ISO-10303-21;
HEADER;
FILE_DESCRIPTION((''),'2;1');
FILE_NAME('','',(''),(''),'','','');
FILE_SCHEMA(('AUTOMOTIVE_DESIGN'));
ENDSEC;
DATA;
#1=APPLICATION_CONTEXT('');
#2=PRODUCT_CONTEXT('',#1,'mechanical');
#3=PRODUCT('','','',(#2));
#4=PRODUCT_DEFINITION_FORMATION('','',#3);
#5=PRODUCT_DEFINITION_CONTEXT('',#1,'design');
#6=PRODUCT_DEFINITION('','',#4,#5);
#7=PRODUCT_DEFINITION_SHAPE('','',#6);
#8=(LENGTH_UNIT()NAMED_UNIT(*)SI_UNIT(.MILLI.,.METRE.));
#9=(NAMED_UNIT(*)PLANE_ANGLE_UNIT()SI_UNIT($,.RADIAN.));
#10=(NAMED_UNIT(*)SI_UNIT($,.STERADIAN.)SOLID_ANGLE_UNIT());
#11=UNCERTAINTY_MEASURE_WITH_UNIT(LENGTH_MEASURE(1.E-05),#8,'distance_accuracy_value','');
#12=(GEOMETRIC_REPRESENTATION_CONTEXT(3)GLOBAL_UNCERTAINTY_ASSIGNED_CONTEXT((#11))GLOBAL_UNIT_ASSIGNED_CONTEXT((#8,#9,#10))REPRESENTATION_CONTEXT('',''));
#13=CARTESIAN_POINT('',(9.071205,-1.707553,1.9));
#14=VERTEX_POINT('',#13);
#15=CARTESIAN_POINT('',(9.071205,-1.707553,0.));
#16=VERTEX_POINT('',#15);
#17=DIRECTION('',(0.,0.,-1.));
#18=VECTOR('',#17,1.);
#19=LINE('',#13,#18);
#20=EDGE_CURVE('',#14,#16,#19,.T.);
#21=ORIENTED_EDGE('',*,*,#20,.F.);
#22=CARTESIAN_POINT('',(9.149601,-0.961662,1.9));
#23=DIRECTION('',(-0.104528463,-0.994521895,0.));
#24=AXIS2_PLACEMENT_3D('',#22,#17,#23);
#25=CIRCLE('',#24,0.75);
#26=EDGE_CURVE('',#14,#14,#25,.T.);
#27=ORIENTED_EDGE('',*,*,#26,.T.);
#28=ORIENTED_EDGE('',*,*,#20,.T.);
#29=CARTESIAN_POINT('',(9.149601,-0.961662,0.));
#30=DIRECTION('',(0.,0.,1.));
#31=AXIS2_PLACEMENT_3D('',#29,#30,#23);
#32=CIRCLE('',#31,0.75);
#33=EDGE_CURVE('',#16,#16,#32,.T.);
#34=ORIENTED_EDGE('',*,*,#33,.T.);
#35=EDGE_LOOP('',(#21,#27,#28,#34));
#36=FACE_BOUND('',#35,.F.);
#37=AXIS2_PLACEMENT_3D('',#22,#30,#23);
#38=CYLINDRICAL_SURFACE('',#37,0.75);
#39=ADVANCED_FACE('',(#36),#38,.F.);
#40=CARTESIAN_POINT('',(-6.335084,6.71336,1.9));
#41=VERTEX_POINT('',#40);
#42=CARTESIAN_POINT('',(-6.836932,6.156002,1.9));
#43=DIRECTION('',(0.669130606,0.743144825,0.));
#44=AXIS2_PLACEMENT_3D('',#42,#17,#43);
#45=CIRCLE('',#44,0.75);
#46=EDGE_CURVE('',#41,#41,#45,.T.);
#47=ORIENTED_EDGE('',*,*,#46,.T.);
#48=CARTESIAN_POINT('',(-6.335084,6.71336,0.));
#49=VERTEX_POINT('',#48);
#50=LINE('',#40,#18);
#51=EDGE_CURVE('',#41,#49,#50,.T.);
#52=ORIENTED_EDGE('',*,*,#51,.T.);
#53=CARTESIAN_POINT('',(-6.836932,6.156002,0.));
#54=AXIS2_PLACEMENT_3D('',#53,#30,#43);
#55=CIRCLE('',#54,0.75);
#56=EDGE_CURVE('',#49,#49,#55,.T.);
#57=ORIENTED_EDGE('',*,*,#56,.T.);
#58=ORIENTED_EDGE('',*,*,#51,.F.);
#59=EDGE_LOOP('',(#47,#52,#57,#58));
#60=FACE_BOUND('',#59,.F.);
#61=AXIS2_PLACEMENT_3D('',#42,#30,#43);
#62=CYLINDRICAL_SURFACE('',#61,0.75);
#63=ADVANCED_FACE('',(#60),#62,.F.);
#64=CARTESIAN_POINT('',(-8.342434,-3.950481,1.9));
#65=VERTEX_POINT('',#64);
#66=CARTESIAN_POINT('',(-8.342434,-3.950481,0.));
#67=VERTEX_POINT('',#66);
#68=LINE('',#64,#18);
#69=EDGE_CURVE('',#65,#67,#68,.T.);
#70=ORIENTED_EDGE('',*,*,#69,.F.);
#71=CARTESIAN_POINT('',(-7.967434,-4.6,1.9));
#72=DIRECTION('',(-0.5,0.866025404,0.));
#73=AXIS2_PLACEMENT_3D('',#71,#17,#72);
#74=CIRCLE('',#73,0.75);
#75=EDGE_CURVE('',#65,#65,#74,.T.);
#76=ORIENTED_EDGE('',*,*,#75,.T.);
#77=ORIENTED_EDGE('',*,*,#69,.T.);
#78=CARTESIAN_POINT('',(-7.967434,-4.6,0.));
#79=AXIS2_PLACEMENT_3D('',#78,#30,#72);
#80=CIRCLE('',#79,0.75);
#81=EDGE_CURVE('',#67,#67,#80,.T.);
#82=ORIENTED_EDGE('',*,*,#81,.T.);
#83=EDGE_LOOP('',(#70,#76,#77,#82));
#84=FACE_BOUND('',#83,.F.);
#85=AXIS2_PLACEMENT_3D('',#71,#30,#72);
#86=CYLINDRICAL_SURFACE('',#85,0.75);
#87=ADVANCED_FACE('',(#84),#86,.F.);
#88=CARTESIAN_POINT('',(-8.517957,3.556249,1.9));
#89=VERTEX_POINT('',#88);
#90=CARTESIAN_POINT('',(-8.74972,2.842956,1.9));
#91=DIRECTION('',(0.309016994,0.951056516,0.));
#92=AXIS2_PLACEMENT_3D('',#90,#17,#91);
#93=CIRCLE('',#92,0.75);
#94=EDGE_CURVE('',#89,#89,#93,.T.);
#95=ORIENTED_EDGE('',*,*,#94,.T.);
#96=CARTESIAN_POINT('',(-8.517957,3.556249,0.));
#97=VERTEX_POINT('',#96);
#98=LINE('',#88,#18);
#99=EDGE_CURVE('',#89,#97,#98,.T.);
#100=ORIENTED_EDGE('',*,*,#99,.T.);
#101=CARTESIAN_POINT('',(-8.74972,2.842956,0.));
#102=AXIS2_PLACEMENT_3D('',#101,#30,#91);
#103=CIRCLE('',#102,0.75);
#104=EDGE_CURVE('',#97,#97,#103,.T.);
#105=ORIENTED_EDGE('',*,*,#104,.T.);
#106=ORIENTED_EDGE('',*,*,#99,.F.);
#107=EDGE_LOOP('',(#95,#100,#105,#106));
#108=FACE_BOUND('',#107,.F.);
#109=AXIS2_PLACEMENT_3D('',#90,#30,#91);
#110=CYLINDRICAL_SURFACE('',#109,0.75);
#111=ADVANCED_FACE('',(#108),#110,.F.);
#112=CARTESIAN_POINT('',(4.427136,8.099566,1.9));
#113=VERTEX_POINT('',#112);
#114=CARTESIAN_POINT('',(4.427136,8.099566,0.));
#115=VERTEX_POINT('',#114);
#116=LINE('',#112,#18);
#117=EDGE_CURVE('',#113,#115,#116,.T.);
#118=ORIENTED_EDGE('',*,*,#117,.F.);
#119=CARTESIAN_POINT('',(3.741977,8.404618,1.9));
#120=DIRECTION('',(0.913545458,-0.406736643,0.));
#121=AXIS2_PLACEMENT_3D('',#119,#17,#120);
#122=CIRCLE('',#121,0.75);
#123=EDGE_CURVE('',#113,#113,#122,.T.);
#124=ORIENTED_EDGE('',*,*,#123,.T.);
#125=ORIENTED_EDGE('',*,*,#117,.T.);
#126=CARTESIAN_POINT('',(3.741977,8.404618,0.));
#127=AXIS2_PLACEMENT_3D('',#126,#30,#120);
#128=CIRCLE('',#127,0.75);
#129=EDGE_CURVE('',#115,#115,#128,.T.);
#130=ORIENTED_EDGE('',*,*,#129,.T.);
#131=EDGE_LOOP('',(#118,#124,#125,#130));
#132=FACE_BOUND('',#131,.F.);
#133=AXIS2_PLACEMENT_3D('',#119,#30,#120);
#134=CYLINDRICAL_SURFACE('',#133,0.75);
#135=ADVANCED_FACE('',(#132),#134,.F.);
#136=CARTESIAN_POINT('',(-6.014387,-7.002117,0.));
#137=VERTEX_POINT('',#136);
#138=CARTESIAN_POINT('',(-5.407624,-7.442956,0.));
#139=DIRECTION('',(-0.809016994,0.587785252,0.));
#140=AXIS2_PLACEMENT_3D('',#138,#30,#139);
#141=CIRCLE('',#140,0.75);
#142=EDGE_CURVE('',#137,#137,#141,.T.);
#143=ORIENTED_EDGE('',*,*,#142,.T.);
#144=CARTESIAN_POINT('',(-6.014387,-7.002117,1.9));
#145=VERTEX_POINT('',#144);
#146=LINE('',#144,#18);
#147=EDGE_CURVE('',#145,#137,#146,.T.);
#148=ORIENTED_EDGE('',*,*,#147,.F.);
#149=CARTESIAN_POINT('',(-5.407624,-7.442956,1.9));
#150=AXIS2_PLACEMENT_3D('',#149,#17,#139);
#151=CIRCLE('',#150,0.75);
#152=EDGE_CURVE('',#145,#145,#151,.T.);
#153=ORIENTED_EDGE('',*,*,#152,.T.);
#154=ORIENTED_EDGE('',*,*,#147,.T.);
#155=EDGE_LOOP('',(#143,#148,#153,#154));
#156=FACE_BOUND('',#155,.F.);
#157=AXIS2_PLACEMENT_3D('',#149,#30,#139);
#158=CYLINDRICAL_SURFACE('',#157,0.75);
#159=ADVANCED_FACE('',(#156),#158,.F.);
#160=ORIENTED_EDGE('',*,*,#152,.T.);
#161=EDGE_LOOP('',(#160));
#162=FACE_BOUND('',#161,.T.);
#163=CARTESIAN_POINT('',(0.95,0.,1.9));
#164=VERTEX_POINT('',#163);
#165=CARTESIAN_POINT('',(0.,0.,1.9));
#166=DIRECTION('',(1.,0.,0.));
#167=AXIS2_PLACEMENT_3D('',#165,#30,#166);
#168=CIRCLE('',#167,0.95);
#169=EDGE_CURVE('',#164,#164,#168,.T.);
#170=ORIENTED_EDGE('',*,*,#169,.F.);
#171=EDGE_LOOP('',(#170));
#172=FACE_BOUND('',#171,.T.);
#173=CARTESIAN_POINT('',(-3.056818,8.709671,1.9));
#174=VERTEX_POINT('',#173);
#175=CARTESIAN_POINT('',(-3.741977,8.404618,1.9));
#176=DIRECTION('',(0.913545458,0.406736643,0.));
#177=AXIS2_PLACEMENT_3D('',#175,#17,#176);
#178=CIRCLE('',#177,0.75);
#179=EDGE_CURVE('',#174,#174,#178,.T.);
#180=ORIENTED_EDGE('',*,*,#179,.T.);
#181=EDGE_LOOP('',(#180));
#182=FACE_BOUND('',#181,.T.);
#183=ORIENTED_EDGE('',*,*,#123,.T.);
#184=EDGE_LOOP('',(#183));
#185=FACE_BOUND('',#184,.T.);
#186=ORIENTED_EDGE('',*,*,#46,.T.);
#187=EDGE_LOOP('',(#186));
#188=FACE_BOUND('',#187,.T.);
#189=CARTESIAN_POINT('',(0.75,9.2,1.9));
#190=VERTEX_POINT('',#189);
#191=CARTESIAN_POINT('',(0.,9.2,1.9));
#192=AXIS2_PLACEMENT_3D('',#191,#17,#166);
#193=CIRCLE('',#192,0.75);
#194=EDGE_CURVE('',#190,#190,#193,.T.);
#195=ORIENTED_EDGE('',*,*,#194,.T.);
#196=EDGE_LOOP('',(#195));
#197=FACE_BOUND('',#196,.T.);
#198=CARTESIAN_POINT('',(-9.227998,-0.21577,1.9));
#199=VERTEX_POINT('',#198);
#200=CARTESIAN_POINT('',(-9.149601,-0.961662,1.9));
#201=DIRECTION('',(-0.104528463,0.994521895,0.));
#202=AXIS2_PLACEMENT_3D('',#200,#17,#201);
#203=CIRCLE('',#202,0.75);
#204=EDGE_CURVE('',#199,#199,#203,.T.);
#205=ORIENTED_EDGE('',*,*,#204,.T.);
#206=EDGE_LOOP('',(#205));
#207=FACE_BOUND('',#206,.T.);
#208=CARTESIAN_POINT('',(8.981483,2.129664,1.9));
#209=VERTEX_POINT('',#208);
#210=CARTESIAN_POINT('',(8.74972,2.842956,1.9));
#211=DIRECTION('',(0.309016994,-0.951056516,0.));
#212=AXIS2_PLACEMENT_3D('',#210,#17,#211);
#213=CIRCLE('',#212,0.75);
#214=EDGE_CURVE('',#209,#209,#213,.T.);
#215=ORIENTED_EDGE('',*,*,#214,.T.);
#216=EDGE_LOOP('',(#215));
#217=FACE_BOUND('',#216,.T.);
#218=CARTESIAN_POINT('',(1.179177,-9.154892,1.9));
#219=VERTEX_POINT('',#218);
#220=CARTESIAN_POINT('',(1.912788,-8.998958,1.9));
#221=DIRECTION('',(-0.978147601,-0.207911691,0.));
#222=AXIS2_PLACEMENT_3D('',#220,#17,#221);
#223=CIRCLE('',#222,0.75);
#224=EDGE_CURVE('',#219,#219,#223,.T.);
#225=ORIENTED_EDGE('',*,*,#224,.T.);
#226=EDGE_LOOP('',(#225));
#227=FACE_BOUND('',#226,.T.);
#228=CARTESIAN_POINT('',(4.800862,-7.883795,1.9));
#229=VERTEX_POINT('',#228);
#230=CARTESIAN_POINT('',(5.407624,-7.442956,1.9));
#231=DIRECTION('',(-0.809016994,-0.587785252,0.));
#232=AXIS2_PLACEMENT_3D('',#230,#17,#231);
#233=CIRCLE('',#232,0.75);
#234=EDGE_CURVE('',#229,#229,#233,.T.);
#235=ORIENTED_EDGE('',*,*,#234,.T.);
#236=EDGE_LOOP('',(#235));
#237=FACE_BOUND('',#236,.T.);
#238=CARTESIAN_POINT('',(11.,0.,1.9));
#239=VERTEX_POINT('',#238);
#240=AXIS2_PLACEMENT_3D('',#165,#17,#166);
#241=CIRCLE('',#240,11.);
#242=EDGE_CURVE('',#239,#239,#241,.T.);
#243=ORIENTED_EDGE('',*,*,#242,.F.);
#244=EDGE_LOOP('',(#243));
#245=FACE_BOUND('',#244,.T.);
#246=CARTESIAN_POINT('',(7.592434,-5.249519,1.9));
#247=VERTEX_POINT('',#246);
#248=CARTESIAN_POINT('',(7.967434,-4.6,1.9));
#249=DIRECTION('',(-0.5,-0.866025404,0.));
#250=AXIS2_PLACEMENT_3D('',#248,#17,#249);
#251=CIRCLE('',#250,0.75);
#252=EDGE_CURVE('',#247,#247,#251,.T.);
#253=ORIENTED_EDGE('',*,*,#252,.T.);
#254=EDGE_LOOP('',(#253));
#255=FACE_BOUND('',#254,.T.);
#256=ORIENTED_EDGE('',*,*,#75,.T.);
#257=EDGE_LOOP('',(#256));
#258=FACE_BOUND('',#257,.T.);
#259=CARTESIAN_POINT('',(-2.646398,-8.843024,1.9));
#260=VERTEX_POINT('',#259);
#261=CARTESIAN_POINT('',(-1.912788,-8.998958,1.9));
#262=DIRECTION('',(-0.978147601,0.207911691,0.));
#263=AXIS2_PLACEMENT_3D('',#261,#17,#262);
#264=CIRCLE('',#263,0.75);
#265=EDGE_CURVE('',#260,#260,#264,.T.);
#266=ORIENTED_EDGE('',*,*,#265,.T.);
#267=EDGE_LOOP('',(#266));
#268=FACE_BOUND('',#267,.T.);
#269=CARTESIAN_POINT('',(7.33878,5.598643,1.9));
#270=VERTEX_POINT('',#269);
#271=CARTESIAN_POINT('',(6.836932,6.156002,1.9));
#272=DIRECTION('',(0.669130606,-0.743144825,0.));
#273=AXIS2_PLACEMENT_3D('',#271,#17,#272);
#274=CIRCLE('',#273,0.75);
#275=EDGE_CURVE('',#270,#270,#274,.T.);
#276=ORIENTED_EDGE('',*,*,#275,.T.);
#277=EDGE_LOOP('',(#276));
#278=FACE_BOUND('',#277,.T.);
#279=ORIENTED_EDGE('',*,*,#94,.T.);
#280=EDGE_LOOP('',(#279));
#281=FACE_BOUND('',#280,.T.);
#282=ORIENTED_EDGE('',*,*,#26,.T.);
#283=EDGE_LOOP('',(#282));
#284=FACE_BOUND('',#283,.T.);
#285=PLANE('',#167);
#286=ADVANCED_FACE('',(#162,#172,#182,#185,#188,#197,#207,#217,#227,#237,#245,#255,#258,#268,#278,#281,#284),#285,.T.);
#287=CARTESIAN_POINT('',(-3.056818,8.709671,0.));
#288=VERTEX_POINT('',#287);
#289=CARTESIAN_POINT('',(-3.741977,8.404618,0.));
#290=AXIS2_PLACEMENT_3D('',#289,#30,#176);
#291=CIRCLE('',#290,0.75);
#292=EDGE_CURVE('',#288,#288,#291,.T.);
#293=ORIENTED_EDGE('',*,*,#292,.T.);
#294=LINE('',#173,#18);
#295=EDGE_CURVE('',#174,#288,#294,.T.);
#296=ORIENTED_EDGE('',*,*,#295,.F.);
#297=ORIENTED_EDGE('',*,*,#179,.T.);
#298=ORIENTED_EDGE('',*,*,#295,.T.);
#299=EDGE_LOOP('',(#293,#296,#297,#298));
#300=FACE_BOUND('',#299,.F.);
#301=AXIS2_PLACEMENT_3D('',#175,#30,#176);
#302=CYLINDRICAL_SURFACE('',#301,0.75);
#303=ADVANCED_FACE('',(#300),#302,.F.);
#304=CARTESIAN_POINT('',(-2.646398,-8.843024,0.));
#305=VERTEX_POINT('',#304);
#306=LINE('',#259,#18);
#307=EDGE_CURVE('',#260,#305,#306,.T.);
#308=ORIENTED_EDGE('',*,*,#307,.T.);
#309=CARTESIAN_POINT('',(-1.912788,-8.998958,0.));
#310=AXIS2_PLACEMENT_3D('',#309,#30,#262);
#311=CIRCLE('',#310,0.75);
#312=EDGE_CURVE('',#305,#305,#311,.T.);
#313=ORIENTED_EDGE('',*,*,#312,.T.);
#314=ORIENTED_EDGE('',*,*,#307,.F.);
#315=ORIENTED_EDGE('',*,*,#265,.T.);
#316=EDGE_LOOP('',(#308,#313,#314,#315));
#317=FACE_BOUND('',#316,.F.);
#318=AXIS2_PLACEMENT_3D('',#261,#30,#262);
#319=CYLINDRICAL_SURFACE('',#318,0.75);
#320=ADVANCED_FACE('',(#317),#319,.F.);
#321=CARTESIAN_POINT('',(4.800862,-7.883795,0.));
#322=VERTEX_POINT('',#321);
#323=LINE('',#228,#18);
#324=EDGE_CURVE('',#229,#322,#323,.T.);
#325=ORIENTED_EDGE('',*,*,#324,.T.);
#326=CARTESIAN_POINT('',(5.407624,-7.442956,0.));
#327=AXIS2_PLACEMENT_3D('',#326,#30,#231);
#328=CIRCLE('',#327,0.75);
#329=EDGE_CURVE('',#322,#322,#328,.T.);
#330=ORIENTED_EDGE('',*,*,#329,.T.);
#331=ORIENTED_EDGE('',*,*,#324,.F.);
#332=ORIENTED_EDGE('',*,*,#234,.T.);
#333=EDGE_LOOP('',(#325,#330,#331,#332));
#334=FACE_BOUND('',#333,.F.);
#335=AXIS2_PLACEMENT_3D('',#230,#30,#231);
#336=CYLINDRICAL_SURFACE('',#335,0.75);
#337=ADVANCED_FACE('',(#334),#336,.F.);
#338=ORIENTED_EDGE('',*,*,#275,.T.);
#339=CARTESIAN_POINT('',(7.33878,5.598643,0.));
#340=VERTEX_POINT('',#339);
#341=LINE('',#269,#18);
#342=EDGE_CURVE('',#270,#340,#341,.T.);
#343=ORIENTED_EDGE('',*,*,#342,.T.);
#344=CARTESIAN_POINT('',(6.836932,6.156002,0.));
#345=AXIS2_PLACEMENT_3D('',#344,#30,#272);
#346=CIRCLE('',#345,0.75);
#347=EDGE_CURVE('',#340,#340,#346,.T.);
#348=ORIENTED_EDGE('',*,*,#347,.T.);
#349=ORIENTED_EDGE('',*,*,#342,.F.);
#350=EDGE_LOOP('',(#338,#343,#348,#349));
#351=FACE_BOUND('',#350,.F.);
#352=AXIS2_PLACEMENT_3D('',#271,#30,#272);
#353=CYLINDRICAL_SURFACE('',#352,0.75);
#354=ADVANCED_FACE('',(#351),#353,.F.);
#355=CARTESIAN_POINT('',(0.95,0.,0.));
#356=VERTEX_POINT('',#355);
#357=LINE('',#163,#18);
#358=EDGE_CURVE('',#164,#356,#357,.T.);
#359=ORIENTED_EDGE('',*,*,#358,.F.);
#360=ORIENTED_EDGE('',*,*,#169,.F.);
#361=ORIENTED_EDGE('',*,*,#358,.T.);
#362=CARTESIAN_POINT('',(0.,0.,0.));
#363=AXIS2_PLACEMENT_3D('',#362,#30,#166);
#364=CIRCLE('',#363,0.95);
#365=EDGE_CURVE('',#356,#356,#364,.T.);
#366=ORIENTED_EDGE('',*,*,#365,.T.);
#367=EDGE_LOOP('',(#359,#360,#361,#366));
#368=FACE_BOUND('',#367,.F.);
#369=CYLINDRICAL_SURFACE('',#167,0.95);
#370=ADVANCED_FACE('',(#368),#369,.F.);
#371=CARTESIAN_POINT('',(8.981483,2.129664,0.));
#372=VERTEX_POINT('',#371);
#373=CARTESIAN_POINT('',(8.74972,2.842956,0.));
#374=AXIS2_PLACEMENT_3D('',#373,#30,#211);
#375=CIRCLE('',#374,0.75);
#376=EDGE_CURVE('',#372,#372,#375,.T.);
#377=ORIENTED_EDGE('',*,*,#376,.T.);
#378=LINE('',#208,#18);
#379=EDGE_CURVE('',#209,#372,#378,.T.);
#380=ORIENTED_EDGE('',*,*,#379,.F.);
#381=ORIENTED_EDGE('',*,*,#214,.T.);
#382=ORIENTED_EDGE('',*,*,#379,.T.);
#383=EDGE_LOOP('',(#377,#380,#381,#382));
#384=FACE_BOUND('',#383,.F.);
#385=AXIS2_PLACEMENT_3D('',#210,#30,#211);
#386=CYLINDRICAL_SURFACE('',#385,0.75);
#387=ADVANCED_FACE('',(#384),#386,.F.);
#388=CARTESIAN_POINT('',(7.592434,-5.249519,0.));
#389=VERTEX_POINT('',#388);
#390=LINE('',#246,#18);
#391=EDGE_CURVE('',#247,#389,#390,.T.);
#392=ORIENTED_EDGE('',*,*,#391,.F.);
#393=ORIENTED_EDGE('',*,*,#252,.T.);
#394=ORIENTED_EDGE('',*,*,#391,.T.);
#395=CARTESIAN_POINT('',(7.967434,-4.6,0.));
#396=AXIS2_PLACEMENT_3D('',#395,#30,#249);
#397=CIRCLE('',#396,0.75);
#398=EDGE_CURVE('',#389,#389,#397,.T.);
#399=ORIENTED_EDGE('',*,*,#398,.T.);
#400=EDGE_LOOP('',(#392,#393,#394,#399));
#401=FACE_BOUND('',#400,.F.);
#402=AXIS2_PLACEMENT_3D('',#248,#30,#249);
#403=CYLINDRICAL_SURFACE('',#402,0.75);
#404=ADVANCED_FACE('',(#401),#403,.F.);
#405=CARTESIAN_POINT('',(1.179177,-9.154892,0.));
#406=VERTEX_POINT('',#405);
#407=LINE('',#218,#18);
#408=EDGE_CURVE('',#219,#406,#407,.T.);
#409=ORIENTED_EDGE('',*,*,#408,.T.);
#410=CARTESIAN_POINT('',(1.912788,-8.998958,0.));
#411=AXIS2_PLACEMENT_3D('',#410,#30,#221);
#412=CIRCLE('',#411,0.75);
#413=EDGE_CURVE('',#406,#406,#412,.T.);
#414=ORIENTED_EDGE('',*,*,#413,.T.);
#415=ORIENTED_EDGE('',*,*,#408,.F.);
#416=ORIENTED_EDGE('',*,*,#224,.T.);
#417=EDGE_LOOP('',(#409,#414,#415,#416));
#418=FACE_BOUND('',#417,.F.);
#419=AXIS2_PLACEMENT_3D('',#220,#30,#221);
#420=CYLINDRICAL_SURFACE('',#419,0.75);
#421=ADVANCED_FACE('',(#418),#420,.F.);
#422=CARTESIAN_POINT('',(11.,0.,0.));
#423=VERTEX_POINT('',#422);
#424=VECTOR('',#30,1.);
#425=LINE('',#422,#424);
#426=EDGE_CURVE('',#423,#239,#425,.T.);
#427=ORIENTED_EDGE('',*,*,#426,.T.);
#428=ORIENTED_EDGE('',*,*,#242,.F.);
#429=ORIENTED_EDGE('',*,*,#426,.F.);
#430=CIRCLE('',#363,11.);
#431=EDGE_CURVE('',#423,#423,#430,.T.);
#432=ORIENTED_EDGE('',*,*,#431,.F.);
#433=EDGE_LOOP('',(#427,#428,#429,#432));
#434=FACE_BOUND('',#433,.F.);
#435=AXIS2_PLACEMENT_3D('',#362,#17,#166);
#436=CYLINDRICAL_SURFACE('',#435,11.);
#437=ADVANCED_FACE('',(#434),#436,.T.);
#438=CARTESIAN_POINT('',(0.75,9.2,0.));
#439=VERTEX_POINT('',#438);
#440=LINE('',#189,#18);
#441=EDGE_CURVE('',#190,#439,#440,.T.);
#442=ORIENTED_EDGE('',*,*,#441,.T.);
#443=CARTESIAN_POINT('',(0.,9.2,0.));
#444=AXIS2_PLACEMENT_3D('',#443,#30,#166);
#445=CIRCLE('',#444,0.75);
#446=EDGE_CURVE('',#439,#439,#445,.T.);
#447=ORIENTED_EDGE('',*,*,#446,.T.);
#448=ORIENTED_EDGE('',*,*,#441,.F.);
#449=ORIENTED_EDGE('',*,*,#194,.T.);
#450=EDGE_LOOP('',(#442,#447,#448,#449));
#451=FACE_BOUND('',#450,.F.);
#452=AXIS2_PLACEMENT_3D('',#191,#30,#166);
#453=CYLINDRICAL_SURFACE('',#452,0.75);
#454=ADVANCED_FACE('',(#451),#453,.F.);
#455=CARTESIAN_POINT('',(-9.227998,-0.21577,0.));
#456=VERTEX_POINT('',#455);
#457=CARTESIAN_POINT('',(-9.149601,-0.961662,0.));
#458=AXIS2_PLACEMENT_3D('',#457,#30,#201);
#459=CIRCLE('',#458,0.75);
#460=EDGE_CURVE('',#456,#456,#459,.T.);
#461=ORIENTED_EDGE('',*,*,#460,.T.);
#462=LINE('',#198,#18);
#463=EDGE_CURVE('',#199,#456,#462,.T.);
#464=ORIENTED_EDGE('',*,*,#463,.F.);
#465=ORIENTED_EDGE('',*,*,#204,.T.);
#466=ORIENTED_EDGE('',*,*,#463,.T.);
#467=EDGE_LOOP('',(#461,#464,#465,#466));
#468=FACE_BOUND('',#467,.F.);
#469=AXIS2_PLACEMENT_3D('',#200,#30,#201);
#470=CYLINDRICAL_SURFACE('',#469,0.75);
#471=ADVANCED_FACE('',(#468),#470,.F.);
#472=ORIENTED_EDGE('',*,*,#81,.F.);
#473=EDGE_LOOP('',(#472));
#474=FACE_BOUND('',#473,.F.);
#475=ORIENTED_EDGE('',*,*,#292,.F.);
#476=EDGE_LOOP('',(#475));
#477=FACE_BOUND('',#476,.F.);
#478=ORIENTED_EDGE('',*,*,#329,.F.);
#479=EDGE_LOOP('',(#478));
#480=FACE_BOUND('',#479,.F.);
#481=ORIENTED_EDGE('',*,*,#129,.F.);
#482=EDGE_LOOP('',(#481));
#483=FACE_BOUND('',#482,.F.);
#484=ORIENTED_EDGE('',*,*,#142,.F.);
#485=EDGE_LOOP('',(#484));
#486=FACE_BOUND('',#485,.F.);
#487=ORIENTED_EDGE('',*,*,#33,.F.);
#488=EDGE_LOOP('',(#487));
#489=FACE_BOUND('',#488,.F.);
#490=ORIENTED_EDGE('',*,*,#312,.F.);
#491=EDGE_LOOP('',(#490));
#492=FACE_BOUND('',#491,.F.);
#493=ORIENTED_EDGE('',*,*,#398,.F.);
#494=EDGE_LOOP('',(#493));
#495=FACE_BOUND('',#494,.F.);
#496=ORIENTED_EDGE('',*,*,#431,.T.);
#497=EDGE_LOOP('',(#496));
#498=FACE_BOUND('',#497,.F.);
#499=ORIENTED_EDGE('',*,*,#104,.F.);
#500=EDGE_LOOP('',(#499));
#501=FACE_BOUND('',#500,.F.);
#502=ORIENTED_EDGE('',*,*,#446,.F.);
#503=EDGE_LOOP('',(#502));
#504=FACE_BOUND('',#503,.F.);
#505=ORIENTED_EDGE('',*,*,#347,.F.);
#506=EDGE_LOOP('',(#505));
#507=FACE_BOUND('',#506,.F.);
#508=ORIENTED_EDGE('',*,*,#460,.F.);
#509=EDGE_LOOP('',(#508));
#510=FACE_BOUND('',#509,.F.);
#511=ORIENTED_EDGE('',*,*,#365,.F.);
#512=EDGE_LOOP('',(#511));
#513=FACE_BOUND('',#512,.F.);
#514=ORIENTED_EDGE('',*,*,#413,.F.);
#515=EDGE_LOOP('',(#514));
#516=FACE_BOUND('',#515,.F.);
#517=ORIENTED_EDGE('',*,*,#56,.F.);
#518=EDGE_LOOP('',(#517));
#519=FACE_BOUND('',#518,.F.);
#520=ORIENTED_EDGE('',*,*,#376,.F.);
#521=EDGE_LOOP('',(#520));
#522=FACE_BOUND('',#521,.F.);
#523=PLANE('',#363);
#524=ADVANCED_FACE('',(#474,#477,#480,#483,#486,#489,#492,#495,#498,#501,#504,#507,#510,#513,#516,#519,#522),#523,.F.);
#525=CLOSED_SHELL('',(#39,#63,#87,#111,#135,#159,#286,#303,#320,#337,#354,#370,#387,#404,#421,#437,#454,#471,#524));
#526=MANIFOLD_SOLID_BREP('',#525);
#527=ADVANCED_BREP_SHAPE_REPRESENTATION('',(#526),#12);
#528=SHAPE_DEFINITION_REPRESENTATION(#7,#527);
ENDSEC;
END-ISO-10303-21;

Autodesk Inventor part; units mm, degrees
ref_plane "YZ Plane" through (0, 0, 0) normal (1, 0, 0) x (0, 1, 0)
ref_plane "XZ Plane" through (0, 0, 0) normal (0, 1, 0) x (-1, 0, 0)
ref_plane "XY Plane" through (0, 0, 0) normal (0, 0, 1) x (1, 0, 0)
sketch "Skizze3" plane through (0, 0, 0) normal (0, 0, 1) x (1, 0, 0)
  circle A0 centre (0, 0) radius 11
  line L0 (-11, 11) -> (11, 11)
  line L1 (11, 11) -> (11, -11)
  line L2 (11, -11) -> (-11, -11)
  line L3 (-11, -11) -> (-11, 11)
  dimension "d13" = 22
extrude "Extrusion3" add sketch "Skizze3" along normal blind 1.9 contours A0
sketch "Skizze4" plane through (0, 0, 1.9) normal (0, 0, 1) x (1, 0, 0)
  circle A0 centre (0, 0) radius 11 projected
  circle A1 centre (0, 9.2) radius 0.75
  line L0 (0, 9.2) -> (0, 11)
  dimension "d17" = 1.5
  dimension "d26" = 1.8
extrude "Extrusion4" cut sketch "Skizze4" against normal through all contours A1
pattern_circular "Runde Anordnung1" count 15 over 360 about axis through (0, 0, -10) along (0, 0, 1) of "Extrusion4"
sketch "Skizze5" plane through (0, 0, 1.9) normal (0, 0, 1) x (1, 0, 0)
  circle A0 centre (0, 0) radius 11 projected
  circle A1 centre (0, 0) radius 0.95
  dimension "d23" = 1.9
extrude "Extrusion5" cut sketch "Skizze5" against normal through all contours A1
properties part number "EncoderWheel2"
